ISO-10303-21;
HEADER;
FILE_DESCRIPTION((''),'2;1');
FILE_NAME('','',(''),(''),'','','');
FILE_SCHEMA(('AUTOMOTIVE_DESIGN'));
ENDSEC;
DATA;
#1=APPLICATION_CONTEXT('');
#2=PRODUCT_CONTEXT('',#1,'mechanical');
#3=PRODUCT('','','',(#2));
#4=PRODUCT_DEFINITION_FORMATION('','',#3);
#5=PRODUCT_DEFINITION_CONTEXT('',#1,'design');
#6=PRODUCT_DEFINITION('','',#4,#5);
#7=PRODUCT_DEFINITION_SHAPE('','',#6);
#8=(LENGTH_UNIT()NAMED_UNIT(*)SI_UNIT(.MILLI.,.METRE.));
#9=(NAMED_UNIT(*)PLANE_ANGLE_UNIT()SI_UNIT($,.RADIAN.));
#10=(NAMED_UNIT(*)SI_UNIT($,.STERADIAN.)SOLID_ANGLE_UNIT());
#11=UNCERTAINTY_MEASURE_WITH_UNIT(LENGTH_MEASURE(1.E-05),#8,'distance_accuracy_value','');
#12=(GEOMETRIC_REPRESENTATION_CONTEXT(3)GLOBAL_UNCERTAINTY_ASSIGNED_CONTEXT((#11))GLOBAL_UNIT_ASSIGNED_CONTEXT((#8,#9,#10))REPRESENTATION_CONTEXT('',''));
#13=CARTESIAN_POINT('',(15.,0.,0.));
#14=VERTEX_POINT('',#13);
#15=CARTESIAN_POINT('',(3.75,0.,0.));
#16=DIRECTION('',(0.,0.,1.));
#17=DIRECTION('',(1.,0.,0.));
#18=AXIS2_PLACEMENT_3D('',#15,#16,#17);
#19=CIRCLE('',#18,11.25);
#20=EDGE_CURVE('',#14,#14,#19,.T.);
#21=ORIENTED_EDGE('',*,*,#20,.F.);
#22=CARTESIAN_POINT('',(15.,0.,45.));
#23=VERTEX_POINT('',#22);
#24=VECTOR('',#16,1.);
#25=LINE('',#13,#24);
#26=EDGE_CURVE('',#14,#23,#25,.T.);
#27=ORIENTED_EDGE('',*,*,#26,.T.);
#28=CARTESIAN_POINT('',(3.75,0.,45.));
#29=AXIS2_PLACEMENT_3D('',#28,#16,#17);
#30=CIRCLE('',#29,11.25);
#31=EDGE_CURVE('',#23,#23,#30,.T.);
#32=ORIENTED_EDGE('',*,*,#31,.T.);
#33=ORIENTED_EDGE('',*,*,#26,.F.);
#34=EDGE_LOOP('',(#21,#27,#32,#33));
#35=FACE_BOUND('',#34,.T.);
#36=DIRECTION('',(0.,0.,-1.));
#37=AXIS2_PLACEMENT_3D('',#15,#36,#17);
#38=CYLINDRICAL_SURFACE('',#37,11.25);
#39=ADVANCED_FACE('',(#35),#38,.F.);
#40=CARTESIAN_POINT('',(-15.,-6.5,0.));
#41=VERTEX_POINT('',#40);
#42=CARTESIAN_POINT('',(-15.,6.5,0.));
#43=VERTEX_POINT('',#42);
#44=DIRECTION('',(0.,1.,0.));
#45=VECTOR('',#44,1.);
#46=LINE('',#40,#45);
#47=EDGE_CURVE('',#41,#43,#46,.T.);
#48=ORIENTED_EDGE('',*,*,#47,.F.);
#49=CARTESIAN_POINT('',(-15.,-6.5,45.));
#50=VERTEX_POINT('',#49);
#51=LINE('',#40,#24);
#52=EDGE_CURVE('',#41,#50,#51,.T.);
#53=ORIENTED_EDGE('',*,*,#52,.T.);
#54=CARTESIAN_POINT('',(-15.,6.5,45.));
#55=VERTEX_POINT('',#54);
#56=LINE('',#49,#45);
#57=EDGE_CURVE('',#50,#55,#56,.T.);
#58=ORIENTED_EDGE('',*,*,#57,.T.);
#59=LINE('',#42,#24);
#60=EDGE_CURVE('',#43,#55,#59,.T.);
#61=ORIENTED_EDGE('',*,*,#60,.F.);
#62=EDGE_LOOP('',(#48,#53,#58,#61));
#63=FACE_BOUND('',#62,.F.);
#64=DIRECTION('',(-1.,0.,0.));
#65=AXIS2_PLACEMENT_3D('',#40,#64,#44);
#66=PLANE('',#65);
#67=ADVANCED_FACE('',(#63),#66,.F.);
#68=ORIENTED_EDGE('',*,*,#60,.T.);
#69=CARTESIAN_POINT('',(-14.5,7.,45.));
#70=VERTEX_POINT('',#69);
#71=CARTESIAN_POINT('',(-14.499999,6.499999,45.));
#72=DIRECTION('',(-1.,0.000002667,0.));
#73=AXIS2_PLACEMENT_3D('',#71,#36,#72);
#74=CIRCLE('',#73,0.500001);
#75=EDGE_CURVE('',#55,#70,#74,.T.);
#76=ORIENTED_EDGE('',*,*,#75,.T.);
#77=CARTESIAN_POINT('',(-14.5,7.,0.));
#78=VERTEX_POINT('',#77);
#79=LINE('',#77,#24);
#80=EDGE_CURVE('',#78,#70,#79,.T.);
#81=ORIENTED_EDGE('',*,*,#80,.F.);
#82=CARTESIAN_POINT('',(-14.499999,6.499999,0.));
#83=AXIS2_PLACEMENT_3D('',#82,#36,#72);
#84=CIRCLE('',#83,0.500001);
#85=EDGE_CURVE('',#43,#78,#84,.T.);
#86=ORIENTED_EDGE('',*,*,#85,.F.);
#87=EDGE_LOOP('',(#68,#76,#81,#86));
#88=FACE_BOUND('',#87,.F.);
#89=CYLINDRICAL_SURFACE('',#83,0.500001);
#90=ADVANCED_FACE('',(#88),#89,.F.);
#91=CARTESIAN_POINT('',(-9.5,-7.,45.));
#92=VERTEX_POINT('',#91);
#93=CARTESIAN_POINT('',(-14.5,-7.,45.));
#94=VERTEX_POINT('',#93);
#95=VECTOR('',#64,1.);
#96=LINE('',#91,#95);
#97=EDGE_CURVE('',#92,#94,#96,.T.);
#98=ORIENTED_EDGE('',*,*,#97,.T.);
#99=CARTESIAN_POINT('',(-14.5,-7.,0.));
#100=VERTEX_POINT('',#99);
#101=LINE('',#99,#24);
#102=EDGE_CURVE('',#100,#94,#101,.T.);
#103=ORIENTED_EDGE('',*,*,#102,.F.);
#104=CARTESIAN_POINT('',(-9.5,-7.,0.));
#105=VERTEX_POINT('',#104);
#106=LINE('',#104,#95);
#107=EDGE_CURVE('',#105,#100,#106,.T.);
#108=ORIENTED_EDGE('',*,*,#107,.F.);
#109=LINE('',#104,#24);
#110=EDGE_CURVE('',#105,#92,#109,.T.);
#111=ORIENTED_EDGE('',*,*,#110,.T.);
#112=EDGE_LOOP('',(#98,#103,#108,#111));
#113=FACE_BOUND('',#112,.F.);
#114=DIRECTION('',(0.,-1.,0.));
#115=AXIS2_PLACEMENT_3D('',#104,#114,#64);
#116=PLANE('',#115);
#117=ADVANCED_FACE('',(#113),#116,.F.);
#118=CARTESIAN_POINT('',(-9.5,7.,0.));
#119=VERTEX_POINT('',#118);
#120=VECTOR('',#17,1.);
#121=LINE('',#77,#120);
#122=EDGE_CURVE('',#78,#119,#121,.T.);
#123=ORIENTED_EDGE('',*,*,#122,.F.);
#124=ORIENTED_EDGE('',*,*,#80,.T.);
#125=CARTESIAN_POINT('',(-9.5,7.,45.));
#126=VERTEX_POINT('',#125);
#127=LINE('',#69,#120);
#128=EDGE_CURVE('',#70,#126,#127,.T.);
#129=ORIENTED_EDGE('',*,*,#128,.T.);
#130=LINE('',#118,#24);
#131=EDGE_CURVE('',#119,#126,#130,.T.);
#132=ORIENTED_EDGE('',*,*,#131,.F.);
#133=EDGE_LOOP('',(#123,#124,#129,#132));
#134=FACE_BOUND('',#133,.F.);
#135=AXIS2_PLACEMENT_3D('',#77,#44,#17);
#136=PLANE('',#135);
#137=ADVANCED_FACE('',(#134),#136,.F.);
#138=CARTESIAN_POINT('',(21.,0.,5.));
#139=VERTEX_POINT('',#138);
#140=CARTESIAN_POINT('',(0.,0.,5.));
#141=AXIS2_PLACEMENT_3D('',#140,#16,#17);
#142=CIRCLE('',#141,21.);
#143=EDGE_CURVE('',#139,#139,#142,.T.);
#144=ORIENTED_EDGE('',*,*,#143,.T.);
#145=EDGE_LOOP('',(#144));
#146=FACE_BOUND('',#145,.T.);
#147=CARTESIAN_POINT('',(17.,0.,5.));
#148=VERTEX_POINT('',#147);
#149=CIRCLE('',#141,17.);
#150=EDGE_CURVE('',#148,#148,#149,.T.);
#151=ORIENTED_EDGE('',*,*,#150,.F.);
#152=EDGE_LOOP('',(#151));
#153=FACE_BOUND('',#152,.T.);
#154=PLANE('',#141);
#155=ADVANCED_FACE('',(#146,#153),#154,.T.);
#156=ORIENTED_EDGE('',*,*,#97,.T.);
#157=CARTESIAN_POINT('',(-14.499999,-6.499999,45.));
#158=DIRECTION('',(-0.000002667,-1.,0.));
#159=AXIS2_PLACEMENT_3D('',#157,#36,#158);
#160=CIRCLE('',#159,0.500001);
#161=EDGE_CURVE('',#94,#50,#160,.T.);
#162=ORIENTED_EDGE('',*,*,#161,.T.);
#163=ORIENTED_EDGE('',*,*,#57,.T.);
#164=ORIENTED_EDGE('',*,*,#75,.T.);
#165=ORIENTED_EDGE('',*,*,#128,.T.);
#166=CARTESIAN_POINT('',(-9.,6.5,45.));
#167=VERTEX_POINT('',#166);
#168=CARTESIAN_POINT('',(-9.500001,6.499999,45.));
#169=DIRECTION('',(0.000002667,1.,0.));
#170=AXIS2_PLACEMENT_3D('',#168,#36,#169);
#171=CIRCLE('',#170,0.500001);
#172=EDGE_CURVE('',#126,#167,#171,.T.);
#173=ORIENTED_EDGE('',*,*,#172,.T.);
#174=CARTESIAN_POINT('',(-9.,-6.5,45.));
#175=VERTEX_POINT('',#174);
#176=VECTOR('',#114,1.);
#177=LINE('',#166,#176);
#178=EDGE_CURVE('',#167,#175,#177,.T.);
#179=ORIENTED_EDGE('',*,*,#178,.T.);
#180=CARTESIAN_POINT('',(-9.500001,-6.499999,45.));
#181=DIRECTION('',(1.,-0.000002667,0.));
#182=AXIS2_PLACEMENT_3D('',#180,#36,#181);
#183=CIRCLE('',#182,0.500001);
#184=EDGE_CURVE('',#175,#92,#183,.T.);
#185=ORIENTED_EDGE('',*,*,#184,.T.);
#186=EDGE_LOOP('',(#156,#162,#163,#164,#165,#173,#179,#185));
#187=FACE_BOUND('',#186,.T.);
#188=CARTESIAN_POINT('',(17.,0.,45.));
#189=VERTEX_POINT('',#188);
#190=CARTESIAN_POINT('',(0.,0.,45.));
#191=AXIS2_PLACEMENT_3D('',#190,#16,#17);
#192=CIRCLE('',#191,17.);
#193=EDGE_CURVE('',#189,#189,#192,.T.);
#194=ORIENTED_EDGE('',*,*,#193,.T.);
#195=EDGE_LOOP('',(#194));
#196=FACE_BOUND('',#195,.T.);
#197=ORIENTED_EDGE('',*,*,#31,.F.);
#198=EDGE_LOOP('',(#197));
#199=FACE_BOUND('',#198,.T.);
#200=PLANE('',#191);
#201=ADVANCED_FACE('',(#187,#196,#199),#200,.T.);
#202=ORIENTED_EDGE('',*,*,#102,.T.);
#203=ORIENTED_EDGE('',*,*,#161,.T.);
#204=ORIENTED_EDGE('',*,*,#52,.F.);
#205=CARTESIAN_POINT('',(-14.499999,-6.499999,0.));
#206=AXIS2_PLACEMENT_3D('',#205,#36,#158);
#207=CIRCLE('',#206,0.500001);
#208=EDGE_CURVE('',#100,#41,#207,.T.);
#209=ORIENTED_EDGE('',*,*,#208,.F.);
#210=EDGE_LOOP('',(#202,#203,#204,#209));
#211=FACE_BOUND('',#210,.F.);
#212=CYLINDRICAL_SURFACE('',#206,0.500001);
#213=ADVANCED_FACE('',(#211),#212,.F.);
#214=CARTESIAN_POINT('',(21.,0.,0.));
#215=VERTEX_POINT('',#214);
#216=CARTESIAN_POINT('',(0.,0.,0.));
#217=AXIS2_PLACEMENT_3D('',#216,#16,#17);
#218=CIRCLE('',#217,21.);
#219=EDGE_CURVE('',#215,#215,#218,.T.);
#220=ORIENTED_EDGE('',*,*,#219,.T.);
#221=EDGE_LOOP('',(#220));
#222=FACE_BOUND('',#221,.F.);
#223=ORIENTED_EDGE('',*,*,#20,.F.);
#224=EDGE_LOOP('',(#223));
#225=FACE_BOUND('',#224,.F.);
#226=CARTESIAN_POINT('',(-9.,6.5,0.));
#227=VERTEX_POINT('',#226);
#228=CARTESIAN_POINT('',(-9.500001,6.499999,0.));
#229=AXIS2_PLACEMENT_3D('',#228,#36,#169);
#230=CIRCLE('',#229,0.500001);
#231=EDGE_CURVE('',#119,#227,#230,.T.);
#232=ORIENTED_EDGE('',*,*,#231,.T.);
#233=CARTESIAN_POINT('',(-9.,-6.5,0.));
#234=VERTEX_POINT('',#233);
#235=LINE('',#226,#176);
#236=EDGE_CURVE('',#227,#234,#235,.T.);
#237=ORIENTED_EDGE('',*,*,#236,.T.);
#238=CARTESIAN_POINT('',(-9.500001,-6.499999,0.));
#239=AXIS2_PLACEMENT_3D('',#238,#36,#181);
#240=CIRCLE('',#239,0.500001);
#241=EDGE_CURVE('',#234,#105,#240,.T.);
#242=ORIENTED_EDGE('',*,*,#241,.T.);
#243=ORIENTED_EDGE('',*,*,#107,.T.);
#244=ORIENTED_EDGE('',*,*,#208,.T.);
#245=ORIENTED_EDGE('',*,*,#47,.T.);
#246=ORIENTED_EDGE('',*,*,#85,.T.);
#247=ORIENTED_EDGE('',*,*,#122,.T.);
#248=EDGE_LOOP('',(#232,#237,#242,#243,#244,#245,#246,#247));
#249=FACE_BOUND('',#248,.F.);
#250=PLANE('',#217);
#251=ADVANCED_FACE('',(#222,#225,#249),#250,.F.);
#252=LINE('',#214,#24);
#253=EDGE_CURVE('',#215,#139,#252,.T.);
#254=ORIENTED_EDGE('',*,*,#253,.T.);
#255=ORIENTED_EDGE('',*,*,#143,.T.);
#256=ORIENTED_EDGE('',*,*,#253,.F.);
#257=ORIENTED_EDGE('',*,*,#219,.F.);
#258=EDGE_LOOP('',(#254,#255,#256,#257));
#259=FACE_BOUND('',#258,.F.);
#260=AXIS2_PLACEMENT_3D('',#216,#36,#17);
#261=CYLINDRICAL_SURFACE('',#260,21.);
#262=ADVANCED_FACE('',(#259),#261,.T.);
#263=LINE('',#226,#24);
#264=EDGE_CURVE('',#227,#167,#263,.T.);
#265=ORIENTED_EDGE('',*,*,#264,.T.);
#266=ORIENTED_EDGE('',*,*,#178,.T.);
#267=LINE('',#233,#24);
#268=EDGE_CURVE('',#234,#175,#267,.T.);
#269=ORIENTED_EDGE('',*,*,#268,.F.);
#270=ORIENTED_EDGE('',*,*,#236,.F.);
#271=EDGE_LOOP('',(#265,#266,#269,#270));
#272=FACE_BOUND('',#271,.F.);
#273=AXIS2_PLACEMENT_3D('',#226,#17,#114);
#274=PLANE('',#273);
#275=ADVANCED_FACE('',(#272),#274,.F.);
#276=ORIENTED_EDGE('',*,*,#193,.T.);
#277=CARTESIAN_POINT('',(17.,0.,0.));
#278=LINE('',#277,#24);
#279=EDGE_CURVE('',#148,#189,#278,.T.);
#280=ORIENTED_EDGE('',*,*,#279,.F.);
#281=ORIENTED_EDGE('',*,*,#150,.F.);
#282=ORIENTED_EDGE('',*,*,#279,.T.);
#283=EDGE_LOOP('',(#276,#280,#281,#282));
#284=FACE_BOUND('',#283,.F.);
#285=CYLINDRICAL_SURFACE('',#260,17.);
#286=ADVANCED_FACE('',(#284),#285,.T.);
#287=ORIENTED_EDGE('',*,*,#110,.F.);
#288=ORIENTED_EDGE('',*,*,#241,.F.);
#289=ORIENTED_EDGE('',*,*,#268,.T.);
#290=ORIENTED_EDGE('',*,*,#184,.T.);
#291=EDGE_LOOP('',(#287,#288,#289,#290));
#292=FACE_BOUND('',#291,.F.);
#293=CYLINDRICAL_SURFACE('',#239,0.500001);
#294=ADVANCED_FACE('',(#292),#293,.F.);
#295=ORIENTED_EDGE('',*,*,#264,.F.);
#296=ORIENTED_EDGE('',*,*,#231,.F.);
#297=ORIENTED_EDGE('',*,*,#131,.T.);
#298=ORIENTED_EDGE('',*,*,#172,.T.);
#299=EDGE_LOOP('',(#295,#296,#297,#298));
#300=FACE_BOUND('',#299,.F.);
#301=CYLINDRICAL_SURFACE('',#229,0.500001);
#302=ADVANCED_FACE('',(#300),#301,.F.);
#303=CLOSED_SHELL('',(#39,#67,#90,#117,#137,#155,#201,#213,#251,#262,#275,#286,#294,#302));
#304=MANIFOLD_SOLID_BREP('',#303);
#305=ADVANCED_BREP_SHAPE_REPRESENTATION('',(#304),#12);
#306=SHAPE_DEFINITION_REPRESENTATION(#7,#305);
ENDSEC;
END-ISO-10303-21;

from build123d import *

# Parameters (mm, degrees)
F0_R     = 17
F0_R_2   = 11.25
F1_DEPTH = 45
F0_R_3   = 21
F2_DEPTH = 5


with BuildPart() as f1:
    # F0 (on Top) → F1 (new body)
    with BuildSketch(Plane.XY):
        Circle(F0_R)
        with BuildLine():
            ThreePointArc((-9, -6.5), (-9.146447, -6.853553), (-9.5, -7))
            Line((-9.5, -7), (-14.5, -7))
            ThreePointArc((-14.5, -7), (-14.853553, -6.853553), (-15, -6.5))
            Line((-15, -6.5), (-15, 6.5))
            ThreePointArc((-15, 6.5), (-14.853553, 6.853553), (-14.5, 7))
            Line((-14.5, 7), (-9.5, 7))
            ThreePointArc((-9.5, 7), (-9.146447, 6.853553), (-9, 6.5))
            Line((-9, 6.5), (-9, -6.5))
        make_face(mode=Mode.SUBTRACT)
        with Locations((3.75, 0)):
            Circle(F0_R_2, mode=Mode.SUBTRACT)
    extrude(amount=F1_DEPTH)

    # F0 (on Top) → F2 (join)
    with BuildSketch(Plane.XY):
        Circle(F0_R_3)
        Circle(F0_R, mode=Mode.SUBTRACT)
    extrude(amount=F2_DEPTH)


solid = f1.part
